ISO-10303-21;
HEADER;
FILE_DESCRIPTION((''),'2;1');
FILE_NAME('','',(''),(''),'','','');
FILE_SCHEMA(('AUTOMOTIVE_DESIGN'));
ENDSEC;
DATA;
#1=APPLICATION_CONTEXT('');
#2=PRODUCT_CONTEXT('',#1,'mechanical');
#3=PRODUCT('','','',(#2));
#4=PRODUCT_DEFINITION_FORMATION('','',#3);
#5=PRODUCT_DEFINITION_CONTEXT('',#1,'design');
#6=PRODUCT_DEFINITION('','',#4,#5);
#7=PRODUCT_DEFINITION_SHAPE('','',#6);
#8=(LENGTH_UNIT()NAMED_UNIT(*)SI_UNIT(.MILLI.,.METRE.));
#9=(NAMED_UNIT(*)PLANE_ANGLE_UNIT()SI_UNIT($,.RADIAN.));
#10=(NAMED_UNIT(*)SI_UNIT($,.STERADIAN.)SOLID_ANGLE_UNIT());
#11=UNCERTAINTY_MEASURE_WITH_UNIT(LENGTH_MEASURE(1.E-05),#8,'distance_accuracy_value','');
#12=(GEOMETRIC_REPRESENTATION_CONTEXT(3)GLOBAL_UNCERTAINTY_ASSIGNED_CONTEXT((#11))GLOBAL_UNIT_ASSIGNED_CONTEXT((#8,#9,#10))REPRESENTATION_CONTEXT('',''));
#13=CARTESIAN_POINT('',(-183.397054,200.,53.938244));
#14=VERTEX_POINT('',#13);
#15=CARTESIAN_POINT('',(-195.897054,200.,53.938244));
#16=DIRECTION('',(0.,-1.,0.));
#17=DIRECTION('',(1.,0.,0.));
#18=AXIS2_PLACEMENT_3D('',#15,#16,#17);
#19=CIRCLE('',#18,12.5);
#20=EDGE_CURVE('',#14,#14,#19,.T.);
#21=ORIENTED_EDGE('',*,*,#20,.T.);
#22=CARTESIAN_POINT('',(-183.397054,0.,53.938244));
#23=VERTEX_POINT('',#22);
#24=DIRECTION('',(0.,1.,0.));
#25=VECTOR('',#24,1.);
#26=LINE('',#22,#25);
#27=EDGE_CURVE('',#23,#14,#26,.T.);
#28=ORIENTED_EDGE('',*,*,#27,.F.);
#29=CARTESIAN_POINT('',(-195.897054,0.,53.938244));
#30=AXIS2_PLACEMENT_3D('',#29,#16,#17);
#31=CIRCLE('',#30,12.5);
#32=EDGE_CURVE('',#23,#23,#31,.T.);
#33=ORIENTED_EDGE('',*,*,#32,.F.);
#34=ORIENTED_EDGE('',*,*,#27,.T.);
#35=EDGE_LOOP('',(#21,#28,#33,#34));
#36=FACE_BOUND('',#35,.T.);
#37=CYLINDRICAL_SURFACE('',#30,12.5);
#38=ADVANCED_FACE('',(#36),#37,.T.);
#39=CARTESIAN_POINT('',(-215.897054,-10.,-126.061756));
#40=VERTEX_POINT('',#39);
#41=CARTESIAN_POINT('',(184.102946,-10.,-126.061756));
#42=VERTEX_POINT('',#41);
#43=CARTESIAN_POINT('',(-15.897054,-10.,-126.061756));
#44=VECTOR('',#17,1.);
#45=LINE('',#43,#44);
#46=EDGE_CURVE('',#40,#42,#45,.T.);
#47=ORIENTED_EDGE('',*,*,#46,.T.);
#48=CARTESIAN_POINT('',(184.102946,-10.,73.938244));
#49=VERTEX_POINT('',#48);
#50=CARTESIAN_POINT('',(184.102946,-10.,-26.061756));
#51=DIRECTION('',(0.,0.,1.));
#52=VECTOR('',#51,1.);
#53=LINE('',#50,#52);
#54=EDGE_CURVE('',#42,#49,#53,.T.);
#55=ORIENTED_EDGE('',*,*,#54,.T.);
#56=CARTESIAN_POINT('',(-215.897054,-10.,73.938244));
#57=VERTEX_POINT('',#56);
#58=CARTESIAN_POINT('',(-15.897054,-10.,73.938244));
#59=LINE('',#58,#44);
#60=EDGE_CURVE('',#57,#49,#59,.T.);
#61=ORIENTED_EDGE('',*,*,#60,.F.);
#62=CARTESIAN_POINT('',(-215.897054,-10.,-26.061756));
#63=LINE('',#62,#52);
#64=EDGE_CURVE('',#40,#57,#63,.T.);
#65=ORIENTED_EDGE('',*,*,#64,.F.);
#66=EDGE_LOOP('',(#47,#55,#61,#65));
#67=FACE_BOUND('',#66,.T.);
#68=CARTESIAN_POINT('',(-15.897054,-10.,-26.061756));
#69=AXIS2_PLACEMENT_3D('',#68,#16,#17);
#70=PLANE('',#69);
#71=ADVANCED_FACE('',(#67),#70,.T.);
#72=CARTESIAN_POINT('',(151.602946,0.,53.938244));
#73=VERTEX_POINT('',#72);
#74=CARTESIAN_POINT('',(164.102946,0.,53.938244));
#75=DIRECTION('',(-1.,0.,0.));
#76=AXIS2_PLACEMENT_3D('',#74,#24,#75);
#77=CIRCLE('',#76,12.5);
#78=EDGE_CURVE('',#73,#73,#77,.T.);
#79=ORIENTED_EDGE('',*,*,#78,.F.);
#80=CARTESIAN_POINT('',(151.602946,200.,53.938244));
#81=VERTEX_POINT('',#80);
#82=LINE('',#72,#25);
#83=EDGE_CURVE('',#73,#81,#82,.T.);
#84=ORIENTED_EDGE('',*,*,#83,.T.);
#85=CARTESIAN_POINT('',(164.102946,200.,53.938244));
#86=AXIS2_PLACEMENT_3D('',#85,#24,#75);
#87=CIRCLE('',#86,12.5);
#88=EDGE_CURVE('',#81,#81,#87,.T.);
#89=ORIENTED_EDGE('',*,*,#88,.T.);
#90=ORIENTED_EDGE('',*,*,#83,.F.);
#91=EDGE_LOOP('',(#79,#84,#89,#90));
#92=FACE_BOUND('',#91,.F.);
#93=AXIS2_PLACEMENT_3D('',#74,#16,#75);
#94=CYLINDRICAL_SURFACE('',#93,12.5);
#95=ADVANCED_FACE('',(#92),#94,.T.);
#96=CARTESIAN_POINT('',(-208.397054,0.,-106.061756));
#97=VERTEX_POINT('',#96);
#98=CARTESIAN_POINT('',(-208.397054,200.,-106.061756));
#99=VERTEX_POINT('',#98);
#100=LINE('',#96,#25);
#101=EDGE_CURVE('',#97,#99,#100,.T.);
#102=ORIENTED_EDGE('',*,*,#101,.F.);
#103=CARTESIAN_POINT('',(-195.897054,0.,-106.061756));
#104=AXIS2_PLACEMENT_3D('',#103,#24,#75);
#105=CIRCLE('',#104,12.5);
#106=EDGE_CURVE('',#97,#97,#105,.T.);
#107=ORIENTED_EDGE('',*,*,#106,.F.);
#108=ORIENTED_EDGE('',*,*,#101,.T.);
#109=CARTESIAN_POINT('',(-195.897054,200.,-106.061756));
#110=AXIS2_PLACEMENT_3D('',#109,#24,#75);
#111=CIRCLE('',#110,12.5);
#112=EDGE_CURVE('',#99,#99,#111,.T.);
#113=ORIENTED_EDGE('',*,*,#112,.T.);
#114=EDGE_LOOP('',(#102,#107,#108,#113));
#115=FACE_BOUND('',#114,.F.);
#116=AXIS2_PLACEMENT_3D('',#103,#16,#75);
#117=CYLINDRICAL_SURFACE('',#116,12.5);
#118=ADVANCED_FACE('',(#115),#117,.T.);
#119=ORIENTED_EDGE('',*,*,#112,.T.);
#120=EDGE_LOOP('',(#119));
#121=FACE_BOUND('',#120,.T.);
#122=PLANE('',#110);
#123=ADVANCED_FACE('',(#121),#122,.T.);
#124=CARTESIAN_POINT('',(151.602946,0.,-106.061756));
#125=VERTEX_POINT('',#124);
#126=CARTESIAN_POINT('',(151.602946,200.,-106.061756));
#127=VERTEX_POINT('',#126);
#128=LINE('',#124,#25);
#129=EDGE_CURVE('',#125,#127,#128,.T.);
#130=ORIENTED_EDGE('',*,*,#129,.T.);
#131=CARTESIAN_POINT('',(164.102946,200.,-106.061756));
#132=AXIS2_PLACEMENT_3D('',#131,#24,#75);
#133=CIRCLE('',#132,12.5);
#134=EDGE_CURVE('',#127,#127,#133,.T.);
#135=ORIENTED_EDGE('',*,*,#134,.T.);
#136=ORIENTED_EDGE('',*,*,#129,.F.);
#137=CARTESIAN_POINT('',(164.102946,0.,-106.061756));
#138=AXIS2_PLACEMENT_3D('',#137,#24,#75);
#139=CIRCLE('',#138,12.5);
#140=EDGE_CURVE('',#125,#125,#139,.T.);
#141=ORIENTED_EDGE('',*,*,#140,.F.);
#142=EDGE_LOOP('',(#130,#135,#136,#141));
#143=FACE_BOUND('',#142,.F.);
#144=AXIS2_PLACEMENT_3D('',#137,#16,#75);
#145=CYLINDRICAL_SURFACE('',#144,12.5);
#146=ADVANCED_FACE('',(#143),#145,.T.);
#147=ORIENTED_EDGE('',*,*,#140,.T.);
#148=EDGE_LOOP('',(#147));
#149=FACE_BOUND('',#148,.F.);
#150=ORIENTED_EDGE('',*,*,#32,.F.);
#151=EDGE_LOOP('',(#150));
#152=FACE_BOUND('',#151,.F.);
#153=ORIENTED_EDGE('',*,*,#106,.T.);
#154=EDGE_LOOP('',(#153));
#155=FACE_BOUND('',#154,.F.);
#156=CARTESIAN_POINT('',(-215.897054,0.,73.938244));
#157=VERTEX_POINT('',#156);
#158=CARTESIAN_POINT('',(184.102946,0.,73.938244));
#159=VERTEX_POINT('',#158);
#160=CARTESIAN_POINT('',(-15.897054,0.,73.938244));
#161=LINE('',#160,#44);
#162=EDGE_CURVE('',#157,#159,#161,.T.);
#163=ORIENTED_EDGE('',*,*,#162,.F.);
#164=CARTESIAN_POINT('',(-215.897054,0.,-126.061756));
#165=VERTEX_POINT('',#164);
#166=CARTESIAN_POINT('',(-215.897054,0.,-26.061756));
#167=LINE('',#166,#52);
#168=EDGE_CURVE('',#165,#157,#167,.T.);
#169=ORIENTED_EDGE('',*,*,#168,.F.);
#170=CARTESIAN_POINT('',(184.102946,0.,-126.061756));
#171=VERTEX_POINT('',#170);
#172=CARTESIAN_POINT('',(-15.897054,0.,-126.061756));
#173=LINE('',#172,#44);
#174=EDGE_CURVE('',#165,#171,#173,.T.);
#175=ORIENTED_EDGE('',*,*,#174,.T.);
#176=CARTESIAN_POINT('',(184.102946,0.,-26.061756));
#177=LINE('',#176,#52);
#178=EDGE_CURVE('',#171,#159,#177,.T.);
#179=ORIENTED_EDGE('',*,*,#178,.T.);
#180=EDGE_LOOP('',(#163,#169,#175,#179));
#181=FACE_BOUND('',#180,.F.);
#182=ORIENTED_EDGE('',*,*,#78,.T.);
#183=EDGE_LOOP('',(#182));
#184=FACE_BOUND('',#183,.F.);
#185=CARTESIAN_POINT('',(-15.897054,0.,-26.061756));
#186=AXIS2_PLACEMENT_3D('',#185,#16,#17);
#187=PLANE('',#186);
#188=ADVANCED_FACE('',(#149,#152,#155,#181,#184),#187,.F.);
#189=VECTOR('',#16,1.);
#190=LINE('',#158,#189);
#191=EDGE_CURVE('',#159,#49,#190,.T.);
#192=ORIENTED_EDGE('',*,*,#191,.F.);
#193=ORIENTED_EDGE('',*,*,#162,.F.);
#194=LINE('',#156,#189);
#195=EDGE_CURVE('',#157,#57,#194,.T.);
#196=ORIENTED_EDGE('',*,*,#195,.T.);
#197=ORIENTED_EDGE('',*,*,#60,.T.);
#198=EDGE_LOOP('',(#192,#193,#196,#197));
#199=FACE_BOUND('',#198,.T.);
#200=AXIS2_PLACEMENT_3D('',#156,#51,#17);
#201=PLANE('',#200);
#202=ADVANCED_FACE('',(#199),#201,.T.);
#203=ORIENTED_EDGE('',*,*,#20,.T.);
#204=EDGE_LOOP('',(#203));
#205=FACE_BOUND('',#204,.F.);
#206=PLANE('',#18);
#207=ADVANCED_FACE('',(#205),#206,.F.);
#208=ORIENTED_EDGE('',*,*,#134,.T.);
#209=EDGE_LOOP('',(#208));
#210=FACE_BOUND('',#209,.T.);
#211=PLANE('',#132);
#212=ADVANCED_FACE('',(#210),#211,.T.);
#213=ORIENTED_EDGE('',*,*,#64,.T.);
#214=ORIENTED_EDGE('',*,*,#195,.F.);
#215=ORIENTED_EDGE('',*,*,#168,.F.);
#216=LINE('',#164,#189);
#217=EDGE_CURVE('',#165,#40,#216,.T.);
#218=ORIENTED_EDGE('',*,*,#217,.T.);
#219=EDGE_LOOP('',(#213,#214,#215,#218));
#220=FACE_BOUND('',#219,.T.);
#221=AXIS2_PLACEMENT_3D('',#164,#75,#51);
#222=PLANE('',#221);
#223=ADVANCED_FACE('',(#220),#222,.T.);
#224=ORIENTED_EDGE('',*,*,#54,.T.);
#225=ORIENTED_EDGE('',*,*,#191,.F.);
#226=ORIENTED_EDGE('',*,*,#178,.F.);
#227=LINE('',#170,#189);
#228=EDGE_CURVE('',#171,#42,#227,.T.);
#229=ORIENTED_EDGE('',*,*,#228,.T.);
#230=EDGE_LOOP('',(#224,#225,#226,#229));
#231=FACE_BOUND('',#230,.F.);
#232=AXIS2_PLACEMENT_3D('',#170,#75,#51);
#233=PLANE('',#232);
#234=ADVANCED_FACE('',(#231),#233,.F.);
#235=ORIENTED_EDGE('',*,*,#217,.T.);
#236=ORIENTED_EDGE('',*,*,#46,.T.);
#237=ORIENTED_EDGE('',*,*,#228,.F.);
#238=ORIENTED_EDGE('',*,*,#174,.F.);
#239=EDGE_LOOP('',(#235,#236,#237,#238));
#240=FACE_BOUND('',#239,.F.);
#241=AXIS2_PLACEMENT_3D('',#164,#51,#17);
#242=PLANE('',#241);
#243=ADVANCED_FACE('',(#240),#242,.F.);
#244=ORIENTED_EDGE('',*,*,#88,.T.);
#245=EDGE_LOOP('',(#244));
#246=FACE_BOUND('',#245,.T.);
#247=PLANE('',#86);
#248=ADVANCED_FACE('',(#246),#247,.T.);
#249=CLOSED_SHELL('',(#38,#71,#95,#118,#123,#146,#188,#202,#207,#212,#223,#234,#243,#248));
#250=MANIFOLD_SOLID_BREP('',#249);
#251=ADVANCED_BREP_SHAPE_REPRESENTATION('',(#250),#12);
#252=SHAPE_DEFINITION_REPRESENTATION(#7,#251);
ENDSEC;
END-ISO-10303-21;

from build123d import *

# Parameters (mm, degrees)
F0_W     = 400
F0_H     = 200
F1_DEPTH = 10
F2_R     = 12.5
F3_DEPTH = 200
F4_R     = 12.5
F5_DEPTH = 200


with BuildPart() as f1:
    # F0 (on Front) → F1 (new body)
    with BuildSketch(Plane.XZ):
        with Locations((-15.897054, -26.061756)):
            Rectangle(F0_W, F0_H)
    extrude(amount=F1_DEPTH)

    # F2 (on Front) → F3 (join)
    with BuildSketch(Plane.XZ):
        with Locations((-195.897054, 53.938244)):
            Circle(F2_R)
    extrude(amount=-F3_DEPTH)

    # F4 (on face) → F5 (join)
    with BuildSketch(Plane(origin=(0, 0, 0), x_dir=(-1, 0, 0), z_dir=(0, 1, 0))):
        with Locations((-164.102946, 53.938244)):
            Circle(F4_R)
        with Locations((-164.102946, -106.061756)):
            Circle(F4_R)
        with Locations((195.897054, -106.061756)):
            Circle(F4_R)
    extrude(amount=F5_DEPTH)


solid = f1.part
